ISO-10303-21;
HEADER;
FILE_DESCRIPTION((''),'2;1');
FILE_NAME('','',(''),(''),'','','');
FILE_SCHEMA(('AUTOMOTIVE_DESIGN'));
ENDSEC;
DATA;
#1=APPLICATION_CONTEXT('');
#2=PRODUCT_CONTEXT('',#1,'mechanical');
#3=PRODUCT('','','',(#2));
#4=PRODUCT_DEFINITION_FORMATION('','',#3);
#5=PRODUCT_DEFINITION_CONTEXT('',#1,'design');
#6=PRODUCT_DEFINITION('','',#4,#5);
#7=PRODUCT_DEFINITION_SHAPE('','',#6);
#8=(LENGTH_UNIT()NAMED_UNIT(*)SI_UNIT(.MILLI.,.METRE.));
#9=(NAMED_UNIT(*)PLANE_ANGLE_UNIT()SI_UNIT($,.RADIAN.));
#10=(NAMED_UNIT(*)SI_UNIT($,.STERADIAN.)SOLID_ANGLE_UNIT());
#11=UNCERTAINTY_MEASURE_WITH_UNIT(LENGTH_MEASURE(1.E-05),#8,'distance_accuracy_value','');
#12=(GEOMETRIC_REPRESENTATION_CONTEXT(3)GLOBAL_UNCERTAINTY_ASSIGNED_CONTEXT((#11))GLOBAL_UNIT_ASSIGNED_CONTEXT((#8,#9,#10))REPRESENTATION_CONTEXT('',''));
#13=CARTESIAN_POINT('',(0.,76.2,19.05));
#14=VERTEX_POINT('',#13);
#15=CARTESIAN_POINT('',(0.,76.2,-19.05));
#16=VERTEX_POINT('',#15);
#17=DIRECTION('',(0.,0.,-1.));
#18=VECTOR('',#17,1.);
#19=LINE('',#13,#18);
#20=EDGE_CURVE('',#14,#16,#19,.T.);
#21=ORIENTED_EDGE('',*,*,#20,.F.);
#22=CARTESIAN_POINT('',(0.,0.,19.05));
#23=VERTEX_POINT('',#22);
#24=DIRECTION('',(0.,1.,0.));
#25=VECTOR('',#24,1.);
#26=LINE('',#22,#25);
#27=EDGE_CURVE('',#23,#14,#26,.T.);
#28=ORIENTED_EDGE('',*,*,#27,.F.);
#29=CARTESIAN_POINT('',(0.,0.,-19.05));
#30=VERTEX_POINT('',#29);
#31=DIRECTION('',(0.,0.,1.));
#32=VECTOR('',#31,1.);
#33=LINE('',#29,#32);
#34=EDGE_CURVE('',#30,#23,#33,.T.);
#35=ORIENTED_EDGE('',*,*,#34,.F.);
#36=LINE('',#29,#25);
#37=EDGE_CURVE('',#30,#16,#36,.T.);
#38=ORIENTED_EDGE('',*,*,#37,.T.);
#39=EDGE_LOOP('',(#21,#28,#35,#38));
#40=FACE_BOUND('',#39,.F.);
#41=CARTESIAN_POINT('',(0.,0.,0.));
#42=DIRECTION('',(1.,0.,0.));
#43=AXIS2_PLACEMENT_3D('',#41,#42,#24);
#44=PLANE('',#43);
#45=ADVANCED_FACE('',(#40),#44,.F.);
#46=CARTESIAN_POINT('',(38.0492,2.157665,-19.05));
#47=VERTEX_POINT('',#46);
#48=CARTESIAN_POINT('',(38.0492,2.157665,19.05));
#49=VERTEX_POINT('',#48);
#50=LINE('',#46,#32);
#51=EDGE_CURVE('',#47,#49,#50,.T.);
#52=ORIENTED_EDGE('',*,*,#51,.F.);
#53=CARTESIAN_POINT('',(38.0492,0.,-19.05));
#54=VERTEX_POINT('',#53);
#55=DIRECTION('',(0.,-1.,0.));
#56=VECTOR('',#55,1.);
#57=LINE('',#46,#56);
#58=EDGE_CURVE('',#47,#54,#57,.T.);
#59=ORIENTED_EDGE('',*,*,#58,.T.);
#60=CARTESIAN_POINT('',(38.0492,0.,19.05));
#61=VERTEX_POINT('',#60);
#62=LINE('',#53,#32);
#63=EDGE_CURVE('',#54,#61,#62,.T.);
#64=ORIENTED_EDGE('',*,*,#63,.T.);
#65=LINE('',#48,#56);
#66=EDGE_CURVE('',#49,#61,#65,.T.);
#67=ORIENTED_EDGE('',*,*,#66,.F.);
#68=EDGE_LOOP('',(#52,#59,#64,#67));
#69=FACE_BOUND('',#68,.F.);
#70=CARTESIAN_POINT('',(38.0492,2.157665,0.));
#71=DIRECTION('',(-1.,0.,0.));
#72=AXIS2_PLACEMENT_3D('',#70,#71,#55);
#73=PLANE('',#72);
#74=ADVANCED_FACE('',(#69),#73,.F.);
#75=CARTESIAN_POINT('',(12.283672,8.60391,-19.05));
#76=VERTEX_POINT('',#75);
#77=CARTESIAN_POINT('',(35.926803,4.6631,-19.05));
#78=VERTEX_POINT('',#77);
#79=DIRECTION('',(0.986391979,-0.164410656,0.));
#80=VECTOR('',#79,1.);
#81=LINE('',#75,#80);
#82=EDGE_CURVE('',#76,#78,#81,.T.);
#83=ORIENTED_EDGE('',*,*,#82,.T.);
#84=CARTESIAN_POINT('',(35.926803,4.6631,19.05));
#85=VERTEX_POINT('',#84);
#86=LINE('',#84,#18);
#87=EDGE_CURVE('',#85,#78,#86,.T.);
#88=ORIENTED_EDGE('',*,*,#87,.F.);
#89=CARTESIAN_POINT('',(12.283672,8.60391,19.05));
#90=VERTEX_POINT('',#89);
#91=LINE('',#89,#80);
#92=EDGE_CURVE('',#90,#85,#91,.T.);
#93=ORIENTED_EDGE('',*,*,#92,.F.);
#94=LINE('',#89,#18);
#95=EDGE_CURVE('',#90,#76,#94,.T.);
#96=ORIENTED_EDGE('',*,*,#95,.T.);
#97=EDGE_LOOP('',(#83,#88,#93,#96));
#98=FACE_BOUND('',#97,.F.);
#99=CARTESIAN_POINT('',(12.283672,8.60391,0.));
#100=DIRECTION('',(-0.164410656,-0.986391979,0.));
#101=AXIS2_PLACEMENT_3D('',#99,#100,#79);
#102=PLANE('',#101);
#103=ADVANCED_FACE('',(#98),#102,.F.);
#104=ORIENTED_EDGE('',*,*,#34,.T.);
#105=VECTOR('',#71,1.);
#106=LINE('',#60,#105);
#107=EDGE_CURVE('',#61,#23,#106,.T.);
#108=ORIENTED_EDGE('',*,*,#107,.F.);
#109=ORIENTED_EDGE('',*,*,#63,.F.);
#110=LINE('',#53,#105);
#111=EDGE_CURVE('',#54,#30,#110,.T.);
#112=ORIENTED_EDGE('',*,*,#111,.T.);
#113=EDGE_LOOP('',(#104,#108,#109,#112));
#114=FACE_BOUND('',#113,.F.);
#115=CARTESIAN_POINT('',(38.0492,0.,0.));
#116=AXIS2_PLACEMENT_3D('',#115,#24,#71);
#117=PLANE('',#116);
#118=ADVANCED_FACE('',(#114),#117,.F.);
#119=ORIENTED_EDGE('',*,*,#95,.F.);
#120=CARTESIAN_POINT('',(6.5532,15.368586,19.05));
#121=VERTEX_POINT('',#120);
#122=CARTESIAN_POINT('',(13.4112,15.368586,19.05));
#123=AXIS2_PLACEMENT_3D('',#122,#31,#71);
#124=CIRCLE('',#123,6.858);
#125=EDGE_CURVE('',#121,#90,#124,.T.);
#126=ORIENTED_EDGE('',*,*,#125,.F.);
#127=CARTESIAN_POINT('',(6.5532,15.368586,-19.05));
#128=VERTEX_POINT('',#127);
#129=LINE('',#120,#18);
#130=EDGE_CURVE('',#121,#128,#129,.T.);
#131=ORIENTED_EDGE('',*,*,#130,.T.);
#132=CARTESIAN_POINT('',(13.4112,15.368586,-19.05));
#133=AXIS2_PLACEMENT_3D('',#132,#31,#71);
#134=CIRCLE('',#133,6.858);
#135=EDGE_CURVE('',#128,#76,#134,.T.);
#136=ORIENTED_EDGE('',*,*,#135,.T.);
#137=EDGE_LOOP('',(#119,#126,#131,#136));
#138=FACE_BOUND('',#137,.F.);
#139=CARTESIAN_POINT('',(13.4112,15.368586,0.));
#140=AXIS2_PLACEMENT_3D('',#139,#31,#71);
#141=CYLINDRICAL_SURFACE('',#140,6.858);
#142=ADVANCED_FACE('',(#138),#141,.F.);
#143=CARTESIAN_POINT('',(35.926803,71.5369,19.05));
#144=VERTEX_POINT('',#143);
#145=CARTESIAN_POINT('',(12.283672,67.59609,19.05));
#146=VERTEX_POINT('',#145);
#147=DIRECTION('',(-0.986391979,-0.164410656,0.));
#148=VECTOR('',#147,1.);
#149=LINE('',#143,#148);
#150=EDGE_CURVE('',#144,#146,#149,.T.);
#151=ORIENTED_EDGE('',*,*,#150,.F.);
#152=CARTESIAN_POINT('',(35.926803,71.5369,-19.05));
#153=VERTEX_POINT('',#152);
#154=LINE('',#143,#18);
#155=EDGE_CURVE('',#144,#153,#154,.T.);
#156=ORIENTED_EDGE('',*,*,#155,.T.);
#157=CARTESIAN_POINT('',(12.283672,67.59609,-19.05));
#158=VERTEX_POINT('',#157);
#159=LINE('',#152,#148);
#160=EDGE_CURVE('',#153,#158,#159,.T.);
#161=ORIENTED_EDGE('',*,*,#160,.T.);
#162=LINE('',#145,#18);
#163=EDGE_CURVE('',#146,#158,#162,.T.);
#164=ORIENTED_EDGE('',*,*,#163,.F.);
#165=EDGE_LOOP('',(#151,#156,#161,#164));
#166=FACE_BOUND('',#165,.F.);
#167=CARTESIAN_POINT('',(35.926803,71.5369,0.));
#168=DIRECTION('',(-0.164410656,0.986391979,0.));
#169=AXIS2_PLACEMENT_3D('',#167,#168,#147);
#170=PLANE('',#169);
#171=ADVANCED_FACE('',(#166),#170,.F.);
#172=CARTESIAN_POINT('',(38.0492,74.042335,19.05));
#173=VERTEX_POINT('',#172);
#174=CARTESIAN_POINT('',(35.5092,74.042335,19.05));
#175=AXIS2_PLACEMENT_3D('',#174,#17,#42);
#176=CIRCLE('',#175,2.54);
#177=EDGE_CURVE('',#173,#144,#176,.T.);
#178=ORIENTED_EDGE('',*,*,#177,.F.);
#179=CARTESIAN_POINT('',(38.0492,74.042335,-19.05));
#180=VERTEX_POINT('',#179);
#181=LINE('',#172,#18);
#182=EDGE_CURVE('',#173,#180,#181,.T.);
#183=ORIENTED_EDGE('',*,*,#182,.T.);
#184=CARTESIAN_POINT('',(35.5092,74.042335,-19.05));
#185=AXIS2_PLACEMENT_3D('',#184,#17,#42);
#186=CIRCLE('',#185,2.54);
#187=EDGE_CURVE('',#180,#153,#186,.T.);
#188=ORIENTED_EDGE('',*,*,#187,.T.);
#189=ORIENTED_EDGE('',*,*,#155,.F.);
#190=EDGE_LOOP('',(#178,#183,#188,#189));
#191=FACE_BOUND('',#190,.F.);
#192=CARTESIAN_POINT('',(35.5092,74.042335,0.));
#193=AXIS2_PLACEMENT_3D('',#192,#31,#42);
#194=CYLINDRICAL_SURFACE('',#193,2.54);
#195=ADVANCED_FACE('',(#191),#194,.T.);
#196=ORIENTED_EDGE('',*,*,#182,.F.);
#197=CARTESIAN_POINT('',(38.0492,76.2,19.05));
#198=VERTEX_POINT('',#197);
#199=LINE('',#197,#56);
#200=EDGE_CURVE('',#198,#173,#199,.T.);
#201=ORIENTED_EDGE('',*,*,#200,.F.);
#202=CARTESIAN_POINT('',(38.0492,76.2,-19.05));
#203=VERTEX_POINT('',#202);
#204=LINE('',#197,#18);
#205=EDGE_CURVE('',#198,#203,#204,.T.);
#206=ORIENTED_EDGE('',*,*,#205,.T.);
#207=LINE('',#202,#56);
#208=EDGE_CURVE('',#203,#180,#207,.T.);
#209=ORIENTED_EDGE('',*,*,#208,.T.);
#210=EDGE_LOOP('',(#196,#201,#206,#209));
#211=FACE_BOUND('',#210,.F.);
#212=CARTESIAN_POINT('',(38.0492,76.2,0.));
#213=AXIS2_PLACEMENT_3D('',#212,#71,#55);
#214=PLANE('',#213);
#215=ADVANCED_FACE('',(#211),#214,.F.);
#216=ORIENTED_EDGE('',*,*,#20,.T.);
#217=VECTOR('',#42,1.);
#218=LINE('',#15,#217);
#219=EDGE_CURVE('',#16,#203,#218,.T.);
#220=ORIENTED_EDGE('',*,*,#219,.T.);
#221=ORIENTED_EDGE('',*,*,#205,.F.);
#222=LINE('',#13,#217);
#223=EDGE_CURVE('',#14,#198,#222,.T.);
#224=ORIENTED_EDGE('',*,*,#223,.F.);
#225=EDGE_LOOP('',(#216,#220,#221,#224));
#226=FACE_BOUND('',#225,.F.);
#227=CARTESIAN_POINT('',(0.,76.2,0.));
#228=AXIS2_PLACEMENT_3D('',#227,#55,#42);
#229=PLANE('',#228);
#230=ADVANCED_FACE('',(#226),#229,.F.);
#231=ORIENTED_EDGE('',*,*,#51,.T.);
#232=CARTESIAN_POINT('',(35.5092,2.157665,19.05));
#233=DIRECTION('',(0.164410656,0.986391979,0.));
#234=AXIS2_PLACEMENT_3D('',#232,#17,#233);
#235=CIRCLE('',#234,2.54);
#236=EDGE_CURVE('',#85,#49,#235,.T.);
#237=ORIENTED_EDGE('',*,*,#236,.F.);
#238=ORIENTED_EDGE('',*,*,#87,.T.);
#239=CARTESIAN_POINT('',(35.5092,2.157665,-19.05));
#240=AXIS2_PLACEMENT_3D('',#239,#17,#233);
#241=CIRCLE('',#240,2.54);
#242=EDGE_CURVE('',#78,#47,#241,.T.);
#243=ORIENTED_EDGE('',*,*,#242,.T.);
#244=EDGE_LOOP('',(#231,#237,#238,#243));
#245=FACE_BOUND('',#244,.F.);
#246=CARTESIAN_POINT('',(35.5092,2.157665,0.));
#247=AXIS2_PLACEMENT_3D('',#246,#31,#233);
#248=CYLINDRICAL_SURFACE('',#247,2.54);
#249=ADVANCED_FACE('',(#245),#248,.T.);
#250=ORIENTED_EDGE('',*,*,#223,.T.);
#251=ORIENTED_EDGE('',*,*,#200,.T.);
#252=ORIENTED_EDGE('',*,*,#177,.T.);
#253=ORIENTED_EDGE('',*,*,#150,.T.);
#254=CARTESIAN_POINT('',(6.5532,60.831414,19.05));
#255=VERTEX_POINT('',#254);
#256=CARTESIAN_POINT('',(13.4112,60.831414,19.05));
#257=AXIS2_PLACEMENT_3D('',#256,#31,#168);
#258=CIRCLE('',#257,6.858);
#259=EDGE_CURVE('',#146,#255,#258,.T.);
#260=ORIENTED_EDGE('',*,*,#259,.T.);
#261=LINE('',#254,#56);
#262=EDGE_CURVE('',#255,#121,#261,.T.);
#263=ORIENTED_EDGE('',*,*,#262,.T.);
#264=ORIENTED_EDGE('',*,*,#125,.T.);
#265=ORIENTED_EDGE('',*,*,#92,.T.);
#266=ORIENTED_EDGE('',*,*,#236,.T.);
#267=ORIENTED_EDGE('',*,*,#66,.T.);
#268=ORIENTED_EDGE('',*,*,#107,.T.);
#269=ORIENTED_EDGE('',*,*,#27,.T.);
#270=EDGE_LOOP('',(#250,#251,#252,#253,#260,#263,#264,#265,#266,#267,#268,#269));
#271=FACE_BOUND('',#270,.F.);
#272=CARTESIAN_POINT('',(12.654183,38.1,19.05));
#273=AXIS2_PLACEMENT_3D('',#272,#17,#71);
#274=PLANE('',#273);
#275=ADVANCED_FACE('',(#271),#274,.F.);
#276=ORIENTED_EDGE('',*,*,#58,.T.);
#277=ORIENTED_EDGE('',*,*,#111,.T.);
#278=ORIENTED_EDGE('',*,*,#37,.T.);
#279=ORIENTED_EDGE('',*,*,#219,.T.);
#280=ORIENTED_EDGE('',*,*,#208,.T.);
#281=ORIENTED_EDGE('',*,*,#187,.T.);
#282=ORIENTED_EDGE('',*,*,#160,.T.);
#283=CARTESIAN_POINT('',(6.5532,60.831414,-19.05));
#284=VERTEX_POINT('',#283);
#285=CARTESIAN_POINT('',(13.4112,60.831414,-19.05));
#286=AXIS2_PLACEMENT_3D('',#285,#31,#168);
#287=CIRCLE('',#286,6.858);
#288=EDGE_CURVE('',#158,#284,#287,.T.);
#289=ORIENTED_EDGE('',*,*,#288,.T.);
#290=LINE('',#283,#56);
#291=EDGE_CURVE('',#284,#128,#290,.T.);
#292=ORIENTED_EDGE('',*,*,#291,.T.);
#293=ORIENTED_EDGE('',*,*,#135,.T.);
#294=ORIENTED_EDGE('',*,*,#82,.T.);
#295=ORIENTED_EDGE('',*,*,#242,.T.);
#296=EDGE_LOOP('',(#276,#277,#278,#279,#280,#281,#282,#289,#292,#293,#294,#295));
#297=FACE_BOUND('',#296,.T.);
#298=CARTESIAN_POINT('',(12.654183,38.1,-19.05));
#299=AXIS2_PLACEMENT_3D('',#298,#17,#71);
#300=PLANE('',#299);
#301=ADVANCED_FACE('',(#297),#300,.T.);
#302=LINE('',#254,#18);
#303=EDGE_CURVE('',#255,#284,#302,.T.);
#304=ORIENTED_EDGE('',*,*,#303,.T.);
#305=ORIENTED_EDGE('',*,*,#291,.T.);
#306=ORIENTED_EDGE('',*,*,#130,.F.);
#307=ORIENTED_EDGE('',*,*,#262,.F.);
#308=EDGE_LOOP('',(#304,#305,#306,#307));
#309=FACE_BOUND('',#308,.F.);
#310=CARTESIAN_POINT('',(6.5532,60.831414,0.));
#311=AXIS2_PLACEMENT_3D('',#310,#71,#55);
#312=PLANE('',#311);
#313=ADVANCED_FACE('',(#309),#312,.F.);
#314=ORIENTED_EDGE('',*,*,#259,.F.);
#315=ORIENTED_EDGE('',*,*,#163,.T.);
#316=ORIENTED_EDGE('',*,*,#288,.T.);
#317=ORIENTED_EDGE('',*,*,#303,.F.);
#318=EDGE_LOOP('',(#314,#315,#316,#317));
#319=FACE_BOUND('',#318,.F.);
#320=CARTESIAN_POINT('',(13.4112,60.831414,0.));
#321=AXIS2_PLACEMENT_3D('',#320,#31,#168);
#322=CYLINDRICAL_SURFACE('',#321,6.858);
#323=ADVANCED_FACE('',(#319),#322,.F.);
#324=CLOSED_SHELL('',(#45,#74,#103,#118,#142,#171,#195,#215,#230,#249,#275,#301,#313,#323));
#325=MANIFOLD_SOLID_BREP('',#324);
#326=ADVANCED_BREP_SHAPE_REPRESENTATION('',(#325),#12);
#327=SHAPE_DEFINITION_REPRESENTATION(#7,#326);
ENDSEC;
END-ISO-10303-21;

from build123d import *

# Parameters (mm, degrees)
BOSS_EXTRUDE1_DEPTH = 19.05


with BuildPart() as part:
    # Sketch1 → Boss-Extrude1 (new body, symmetric)
    with BuildSketch(Plane.XY):
        with BuildLine():
            Line((0, 0), (0, 76.2))
            Line((0, 76.2), (38.0492, 76.2))
            Line((38.0492, 76.2), (38.0492, 74.042335136))
            ThreePointArc((38.0492, 74.042335136), (37.447280466, 72.400554363), (35.926803066, 71.536899509))
            Line((35.926803066, 71.536899509), (12.283671721, 67.596090157))
            ThreePointArc((12.283671721, 67.596090157), (8.178382741, 65.264222052), (6.5532, 60.831413966))
            Line((6.5532, 60.831413966), (6.5532, 15.368586034))
            ThreePointArc((6.5532, 15.368586034), (8.178382741, 10.935777948), (12.283671721, 8.603909843))
            Line((12.283671721, 8.603909843), (35.926803066, 4.663100491))
            ThreePointArc((35.926803066, 4.663100491), (37.447280466, 3.799445637), (38.0492, 2.157664864))
            Line((38.0492, 2.157664864), (38.0492, 0))
            Line((38.0492, 0), (0, 0))
        make_face()
    extrude(amount=BOSS_EXTRUDE1_DEPTH, both=True)


solid = part.part
